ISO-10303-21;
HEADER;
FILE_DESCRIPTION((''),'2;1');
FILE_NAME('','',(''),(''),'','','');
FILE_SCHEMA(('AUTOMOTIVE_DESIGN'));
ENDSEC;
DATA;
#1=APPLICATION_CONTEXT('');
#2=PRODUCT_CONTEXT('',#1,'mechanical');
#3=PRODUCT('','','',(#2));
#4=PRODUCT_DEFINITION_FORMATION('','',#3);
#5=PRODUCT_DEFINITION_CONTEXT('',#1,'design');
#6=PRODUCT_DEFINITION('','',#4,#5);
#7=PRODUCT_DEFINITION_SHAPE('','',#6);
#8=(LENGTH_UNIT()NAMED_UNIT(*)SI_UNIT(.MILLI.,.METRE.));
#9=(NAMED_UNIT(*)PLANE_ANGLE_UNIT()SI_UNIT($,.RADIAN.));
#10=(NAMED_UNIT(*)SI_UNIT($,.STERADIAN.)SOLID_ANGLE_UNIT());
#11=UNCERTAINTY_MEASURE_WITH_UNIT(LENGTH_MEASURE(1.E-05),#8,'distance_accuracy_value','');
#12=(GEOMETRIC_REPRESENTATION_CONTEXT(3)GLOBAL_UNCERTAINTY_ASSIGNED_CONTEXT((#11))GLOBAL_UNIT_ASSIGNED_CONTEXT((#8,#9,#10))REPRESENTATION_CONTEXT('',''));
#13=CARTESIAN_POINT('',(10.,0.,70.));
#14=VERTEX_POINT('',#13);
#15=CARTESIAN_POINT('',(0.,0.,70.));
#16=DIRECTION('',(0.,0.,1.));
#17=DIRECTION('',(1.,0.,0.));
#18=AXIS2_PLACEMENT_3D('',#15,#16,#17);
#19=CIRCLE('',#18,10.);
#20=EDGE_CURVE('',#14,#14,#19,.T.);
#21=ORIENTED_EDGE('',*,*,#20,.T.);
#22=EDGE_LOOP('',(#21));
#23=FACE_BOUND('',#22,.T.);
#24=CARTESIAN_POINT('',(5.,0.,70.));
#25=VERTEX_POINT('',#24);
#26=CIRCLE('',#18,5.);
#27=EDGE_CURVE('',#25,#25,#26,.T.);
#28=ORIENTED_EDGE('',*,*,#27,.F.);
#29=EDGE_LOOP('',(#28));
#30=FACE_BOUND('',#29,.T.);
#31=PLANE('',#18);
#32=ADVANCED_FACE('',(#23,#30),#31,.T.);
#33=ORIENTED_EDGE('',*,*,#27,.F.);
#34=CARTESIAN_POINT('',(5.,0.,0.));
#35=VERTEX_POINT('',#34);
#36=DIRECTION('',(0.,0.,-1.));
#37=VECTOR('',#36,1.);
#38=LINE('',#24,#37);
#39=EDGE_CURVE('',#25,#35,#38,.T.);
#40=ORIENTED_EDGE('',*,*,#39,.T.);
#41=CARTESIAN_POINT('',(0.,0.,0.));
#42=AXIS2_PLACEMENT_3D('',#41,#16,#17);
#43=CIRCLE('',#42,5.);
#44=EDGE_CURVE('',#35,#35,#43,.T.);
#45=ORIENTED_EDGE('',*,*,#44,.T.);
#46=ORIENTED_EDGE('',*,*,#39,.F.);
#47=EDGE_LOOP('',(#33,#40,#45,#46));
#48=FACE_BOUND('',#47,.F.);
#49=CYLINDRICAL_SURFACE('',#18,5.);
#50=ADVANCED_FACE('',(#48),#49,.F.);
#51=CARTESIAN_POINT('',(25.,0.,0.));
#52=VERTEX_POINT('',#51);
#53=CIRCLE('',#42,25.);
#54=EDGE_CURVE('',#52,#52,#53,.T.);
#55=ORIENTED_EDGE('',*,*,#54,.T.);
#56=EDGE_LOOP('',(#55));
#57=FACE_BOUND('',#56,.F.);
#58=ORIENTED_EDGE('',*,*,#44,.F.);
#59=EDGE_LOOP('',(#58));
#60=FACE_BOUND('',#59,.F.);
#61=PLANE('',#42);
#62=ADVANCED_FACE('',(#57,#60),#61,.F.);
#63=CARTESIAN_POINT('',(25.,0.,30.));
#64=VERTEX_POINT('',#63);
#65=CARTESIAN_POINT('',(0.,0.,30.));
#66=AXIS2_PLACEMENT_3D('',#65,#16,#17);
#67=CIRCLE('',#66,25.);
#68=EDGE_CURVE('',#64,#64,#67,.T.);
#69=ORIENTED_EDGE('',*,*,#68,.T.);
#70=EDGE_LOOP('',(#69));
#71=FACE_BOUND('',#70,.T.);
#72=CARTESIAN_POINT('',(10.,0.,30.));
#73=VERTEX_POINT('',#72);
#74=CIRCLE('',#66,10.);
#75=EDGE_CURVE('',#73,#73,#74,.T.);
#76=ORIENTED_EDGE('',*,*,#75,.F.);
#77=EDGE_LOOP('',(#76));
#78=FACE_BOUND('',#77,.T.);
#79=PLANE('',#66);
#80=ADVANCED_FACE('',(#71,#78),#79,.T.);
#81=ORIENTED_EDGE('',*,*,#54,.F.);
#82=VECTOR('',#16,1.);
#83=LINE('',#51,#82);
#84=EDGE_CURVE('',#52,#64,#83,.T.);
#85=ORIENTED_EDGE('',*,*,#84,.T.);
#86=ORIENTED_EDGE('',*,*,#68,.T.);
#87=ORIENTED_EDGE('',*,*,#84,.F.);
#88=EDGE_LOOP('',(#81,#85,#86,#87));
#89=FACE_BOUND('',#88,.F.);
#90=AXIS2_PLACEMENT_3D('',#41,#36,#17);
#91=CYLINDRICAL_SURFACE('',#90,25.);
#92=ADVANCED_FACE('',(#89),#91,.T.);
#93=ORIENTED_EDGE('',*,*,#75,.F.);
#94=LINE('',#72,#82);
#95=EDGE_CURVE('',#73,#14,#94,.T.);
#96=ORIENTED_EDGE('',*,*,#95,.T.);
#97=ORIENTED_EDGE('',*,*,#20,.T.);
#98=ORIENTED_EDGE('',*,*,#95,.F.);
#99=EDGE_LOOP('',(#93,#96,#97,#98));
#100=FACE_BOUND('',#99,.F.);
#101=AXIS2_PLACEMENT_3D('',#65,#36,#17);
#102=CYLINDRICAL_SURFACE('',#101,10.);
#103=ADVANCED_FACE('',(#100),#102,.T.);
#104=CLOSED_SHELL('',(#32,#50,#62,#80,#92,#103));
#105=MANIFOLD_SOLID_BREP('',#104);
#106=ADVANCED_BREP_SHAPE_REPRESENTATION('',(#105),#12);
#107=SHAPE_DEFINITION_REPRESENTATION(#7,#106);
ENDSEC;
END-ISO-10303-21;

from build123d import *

# Parameters (mm, degrees)
F0_R       = 25
F1_DEPTH   = 30
F2_R       = 10
F3_DEPTH   = 40
F4_R       = 5
F1_FACE1_R = 25
F5_DEPTH   = 70.001


with BuildPart() as f1:
    # F0 (on Top) → F1 (new body)
    with BuildSketch(Plane.XY):
        Circle(F0_R)
    extrude(amount=F1_DEPTH)

    # F2 (on face) → F3 (join)
    with BuildSketch(Plane.XY.offset(30)):
        Circle(F2_R)
    extrude(amount=F3_DEPTH)

    # F4 (on face) + F1_face1 (on face) → F5 (cut, through all)
    with BuildSketch(Plane.XY.offset(70)):
        Circle(F4_R)
    with BuildSketch(Plane(origin=(0, 0, 0), x_dir=(1, 0, 0), z_dir=(0, 0, -1))):
        Circle(F1_FACE1_R)
    extrude(amount=-F5_DEPTH, dir=(0, 0, 1), mode=Mode.SUBTRACT)


solid = f1.part
